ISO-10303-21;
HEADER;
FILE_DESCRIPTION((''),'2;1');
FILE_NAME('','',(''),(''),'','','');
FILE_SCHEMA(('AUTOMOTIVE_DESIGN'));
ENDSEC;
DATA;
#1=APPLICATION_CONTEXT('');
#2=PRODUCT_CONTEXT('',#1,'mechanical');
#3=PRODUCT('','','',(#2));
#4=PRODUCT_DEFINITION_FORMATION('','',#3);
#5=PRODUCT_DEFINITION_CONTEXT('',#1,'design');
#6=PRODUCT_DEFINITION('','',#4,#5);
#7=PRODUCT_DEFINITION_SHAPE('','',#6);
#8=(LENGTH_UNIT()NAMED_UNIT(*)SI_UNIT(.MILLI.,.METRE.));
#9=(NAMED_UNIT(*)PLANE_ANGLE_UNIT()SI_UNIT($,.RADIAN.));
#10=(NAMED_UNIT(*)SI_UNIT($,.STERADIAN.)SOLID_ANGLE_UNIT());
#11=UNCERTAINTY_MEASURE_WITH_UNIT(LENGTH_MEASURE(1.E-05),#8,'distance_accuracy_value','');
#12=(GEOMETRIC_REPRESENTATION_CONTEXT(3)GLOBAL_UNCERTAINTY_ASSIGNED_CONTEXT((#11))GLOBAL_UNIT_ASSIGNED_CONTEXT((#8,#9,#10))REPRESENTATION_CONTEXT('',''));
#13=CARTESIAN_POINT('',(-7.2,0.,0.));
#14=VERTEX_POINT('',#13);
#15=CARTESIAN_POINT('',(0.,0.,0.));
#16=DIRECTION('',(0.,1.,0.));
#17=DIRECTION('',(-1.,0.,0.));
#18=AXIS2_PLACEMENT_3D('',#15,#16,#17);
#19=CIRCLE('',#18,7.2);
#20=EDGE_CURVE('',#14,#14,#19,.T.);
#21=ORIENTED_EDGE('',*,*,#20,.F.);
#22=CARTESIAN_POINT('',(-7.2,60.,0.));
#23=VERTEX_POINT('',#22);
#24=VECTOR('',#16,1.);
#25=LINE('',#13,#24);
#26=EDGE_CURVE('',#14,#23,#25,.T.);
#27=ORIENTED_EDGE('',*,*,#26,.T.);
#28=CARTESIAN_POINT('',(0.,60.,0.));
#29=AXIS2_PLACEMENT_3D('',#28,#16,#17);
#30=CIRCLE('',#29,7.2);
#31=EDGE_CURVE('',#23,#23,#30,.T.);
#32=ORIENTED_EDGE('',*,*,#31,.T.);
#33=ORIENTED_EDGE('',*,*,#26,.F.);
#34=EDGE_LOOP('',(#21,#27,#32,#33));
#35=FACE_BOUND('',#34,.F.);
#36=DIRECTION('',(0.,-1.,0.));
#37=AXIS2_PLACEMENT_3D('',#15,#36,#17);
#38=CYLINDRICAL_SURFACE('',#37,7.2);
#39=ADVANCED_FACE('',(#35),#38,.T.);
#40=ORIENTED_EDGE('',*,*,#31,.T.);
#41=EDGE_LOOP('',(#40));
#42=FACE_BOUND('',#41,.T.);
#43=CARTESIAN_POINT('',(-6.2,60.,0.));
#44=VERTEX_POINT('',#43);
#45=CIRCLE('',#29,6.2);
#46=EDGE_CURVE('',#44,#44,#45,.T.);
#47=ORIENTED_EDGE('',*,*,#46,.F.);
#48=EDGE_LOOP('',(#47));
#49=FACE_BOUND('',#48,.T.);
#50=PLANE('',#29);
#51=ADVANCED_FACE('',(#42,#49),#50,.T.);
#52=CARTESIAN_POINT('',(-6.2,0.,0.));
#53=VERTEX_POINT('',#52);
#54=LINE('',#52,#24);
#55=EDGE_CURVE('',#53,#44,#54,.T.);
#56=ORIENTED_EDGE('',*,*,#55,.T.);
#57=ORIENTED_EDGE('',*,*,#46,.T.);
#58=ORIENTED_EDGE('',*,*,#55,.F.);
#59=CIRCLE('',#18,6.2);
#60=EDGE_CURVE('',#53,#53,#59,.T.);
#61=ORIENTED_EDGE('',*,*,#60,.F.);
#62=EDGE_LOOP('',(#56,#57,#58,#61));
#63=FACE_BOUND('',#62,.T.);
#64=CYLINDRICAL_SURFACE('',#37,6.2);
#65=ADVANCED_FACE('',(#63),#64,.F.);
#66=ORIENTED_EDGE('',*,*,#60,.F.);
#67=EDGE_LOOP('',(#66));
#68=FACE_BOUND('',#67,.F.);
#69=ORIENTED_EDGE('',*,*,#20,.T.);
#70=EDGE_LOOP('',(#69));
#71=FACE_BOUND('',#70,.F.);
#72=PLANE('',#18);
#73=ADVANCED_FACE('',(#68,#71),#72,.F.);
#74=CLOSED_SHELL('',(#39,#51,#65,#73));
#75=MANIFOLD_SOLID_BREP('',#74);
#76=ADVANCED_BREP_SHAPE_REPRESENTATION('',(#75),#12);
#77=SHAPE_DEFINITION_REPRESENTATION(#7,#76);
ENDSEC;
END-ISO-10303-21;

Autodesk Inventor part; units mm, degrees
sketch "Sketch1" plane through (0, 0, 0) normal (0, 1, 0) x (-1, 0, 0)
  circle A0 centre (0, 0) radius 6.2
  circle A1 centre (0, 0) radius 7.2
  dimension "d0" = 12.4
  dimension "d1" = 1
extrude "Extrusion1" add sketch "Sketch1" along normal blind 60
properties part number "m12-rings" material "PET Plastic"
